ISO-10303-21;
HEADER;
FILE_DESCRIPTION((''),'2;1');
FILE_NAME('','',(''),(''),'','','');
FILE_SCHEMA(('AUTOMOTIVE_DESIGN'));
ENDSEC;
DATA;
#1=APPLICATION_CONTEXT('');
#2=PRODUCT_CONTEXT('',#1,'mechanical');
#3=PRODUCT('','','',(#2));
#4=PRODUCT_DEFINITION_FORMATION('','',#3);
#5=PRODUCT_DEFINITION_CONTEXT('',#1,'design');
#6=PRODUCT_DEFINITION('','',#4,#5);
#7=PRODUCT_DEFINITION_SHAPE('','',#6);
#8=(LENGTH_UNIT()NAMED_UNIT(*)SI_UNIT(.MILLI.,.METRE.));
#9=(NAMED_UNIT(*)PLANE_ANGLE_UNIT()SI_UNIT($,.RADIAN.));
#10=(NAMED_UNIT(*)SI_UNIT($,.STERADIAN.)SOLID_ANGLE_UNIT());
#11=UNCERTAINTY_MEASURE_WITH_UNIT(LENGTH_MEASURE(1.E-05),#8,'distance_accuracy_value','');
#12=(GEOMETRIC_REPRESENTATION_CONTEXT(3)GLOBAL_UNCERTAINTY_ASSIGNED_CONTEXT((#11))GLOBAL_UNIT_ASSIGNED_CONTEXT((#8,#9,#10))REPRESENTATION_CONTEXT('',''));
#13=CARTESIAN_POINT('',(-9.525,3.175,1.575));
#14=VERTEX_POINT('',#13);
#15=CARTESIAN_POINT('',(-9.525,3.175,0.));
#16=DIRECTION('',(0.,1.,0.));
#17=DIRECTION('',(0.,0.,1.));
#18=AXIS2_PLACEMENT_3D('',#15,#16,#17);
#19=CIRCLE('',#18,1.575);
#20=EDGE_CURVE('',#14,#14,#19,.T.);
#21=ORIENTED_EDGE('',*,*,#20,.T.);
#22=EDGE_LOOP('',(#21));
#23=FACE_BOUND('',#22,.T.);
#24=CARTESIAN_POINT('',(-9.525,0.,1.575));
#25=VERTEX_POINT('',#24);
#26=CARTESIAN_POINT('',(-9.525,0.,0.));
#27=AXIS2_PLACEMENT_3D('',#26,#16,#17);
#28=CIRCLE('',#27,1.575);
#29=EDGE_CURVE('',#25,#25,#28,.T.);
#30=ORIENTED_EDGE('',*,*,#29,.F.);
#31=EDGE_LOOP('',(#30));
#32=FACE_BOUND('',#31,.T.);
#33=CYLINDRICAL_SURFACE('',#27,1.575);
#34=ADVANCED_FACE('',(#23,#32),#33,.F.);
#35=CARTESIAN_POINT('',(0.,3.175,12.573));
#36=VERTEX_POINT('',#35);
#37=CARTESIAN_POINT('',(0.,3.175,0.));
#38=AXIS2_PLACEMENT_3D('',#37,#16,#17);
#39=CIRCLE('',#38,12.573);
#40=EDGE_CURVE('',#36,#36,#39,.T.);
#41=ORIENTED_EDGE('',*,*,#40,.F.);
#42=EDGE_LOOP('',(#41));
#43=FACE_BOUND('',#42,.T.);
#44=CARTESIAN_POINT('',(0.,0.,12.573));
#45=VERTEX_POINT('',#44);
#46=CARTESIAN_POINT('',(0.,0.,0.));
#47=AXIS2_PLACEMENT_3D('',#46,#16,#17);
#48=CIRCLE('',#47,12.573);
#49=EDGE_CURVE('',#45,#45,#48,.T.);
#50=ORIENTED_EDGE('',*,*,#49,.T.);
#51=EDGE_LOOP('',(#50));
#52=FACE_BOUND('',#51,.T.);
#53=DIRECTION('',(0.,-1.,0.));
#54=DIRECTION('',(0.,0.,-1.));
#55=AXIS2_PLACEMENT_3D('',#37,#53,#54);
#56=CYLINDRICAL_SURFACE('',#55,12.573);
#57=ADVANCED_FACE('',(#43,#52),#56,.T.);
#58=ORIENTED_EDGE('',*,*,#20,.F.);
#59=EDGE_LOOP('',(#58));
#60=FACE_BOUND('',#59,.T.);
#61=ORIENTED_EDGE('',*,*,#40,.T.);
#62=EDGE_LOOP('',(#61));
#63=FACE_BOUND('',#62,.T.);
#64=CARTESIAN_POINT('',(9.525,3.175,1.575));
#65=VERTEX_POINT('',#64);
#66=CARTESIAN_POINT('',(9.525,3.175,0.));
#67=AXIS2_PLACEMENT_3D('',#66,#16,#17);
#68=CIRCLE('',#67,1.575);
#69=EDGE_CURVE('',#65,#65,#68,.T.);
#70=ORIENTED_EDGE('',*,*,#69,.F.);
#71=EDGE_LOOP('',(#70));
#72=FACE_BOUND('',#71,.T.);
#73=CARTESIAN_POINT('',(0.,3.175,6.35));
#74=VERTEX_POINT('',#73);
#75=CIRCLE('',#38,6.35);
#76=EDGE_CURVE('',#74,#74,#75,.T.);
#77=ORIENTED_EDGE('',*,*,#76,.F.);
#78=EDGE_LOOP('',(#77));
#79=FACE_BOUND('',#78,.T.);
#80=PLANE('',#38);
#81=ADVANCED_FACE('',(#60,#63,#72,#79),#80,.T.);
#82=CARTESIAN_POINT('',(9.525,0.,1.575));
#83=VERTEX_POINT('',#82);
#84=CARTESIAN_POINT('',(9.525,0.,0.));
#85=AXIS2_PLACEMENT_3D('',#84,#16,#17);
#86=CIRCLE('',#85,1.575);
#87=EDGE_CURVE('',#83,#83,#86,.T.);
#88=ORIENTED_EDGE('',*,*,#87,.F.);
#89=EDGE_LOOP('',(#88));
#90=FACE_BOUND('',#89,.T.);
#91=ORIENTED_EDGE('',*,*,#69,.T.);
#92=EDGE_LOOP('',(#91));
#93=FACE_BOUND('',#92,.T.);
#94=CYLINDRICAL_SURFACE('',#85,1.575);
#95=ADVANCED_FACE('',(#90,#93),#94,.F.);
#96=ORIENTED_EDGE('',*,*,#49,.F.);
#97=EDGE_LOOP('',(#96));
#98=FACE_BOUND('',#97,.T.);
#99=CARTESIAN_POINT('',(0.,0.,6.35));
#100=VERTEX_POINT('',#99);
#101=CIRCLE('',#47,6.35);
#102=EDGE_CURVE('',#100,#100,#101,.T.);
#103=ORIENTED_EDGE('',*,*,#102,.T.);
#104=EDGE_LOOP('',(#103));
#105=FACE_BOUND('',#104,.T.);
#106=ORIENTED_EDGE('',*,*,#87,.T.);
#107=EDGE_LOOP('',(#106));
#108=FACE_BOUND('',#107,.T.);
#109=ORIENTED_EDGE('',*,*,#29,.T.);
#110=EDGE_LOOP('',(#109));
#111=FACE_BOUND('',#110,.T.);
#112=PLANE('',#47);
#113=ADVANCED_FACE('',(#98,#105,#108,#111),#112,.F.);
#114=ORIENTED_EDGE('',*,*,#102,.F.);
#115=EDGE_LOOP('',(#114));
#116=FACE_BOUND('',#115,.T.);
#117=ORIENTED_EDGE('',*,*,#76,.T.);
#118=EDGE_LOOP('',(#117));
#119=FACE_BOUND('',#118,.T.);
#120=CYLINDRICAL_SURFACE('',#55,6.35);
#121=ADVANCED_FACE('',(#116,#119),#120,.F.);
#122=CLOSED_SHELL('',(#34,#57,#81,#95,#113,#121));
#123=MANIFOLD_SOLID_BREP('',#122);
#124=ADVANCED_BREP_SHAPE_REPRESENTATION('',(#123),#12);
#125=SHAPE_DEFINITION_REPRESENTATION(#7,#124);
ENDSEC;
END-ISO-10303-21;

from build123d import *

# Parameters (mm, degrees)
SKETCH1_R           = 12.573
SKETCH1_R_2         = 6.35
BOSS_EXTRUDE1_DEPTH = 3.175
SKETCH2_R           = 1.575
CUT_EXTRUDE1_DEPTH  = 4.175


with BuildPart() as part:
    # Sketch1 → Boss-Extrude1 (new body)
    with BuildSketch(Plane(origin=(0, 0, 0), x_dir=(1, 0, 0), z_dir=(0, 1, 0))):
        Circle(SKETCH1_R)
        Circle(SKETCH1_R_2, mode=Mode.SUBTRACT)
    extrude(amount=BOSS_EXTRUDE1_DEPTH)

    # Sketch2 → Cut-Extrude1 (cut, through all)
    with BuildSketch(Plane(origin=(0, 3.175, 0), x_dir=(1, 0, 0), z_dir=(0, 1, 0))):
        with Locations((9.525, 0)):
            Circle(SKETCH2_R)
        with Locations((-9.525, 0)):
            Circle(SKETCH2_R)
    extrude(amount=-CUT_EXTRUDE1_DEPTH, mode=Mode.SUBTRACT)


solid = part.part
